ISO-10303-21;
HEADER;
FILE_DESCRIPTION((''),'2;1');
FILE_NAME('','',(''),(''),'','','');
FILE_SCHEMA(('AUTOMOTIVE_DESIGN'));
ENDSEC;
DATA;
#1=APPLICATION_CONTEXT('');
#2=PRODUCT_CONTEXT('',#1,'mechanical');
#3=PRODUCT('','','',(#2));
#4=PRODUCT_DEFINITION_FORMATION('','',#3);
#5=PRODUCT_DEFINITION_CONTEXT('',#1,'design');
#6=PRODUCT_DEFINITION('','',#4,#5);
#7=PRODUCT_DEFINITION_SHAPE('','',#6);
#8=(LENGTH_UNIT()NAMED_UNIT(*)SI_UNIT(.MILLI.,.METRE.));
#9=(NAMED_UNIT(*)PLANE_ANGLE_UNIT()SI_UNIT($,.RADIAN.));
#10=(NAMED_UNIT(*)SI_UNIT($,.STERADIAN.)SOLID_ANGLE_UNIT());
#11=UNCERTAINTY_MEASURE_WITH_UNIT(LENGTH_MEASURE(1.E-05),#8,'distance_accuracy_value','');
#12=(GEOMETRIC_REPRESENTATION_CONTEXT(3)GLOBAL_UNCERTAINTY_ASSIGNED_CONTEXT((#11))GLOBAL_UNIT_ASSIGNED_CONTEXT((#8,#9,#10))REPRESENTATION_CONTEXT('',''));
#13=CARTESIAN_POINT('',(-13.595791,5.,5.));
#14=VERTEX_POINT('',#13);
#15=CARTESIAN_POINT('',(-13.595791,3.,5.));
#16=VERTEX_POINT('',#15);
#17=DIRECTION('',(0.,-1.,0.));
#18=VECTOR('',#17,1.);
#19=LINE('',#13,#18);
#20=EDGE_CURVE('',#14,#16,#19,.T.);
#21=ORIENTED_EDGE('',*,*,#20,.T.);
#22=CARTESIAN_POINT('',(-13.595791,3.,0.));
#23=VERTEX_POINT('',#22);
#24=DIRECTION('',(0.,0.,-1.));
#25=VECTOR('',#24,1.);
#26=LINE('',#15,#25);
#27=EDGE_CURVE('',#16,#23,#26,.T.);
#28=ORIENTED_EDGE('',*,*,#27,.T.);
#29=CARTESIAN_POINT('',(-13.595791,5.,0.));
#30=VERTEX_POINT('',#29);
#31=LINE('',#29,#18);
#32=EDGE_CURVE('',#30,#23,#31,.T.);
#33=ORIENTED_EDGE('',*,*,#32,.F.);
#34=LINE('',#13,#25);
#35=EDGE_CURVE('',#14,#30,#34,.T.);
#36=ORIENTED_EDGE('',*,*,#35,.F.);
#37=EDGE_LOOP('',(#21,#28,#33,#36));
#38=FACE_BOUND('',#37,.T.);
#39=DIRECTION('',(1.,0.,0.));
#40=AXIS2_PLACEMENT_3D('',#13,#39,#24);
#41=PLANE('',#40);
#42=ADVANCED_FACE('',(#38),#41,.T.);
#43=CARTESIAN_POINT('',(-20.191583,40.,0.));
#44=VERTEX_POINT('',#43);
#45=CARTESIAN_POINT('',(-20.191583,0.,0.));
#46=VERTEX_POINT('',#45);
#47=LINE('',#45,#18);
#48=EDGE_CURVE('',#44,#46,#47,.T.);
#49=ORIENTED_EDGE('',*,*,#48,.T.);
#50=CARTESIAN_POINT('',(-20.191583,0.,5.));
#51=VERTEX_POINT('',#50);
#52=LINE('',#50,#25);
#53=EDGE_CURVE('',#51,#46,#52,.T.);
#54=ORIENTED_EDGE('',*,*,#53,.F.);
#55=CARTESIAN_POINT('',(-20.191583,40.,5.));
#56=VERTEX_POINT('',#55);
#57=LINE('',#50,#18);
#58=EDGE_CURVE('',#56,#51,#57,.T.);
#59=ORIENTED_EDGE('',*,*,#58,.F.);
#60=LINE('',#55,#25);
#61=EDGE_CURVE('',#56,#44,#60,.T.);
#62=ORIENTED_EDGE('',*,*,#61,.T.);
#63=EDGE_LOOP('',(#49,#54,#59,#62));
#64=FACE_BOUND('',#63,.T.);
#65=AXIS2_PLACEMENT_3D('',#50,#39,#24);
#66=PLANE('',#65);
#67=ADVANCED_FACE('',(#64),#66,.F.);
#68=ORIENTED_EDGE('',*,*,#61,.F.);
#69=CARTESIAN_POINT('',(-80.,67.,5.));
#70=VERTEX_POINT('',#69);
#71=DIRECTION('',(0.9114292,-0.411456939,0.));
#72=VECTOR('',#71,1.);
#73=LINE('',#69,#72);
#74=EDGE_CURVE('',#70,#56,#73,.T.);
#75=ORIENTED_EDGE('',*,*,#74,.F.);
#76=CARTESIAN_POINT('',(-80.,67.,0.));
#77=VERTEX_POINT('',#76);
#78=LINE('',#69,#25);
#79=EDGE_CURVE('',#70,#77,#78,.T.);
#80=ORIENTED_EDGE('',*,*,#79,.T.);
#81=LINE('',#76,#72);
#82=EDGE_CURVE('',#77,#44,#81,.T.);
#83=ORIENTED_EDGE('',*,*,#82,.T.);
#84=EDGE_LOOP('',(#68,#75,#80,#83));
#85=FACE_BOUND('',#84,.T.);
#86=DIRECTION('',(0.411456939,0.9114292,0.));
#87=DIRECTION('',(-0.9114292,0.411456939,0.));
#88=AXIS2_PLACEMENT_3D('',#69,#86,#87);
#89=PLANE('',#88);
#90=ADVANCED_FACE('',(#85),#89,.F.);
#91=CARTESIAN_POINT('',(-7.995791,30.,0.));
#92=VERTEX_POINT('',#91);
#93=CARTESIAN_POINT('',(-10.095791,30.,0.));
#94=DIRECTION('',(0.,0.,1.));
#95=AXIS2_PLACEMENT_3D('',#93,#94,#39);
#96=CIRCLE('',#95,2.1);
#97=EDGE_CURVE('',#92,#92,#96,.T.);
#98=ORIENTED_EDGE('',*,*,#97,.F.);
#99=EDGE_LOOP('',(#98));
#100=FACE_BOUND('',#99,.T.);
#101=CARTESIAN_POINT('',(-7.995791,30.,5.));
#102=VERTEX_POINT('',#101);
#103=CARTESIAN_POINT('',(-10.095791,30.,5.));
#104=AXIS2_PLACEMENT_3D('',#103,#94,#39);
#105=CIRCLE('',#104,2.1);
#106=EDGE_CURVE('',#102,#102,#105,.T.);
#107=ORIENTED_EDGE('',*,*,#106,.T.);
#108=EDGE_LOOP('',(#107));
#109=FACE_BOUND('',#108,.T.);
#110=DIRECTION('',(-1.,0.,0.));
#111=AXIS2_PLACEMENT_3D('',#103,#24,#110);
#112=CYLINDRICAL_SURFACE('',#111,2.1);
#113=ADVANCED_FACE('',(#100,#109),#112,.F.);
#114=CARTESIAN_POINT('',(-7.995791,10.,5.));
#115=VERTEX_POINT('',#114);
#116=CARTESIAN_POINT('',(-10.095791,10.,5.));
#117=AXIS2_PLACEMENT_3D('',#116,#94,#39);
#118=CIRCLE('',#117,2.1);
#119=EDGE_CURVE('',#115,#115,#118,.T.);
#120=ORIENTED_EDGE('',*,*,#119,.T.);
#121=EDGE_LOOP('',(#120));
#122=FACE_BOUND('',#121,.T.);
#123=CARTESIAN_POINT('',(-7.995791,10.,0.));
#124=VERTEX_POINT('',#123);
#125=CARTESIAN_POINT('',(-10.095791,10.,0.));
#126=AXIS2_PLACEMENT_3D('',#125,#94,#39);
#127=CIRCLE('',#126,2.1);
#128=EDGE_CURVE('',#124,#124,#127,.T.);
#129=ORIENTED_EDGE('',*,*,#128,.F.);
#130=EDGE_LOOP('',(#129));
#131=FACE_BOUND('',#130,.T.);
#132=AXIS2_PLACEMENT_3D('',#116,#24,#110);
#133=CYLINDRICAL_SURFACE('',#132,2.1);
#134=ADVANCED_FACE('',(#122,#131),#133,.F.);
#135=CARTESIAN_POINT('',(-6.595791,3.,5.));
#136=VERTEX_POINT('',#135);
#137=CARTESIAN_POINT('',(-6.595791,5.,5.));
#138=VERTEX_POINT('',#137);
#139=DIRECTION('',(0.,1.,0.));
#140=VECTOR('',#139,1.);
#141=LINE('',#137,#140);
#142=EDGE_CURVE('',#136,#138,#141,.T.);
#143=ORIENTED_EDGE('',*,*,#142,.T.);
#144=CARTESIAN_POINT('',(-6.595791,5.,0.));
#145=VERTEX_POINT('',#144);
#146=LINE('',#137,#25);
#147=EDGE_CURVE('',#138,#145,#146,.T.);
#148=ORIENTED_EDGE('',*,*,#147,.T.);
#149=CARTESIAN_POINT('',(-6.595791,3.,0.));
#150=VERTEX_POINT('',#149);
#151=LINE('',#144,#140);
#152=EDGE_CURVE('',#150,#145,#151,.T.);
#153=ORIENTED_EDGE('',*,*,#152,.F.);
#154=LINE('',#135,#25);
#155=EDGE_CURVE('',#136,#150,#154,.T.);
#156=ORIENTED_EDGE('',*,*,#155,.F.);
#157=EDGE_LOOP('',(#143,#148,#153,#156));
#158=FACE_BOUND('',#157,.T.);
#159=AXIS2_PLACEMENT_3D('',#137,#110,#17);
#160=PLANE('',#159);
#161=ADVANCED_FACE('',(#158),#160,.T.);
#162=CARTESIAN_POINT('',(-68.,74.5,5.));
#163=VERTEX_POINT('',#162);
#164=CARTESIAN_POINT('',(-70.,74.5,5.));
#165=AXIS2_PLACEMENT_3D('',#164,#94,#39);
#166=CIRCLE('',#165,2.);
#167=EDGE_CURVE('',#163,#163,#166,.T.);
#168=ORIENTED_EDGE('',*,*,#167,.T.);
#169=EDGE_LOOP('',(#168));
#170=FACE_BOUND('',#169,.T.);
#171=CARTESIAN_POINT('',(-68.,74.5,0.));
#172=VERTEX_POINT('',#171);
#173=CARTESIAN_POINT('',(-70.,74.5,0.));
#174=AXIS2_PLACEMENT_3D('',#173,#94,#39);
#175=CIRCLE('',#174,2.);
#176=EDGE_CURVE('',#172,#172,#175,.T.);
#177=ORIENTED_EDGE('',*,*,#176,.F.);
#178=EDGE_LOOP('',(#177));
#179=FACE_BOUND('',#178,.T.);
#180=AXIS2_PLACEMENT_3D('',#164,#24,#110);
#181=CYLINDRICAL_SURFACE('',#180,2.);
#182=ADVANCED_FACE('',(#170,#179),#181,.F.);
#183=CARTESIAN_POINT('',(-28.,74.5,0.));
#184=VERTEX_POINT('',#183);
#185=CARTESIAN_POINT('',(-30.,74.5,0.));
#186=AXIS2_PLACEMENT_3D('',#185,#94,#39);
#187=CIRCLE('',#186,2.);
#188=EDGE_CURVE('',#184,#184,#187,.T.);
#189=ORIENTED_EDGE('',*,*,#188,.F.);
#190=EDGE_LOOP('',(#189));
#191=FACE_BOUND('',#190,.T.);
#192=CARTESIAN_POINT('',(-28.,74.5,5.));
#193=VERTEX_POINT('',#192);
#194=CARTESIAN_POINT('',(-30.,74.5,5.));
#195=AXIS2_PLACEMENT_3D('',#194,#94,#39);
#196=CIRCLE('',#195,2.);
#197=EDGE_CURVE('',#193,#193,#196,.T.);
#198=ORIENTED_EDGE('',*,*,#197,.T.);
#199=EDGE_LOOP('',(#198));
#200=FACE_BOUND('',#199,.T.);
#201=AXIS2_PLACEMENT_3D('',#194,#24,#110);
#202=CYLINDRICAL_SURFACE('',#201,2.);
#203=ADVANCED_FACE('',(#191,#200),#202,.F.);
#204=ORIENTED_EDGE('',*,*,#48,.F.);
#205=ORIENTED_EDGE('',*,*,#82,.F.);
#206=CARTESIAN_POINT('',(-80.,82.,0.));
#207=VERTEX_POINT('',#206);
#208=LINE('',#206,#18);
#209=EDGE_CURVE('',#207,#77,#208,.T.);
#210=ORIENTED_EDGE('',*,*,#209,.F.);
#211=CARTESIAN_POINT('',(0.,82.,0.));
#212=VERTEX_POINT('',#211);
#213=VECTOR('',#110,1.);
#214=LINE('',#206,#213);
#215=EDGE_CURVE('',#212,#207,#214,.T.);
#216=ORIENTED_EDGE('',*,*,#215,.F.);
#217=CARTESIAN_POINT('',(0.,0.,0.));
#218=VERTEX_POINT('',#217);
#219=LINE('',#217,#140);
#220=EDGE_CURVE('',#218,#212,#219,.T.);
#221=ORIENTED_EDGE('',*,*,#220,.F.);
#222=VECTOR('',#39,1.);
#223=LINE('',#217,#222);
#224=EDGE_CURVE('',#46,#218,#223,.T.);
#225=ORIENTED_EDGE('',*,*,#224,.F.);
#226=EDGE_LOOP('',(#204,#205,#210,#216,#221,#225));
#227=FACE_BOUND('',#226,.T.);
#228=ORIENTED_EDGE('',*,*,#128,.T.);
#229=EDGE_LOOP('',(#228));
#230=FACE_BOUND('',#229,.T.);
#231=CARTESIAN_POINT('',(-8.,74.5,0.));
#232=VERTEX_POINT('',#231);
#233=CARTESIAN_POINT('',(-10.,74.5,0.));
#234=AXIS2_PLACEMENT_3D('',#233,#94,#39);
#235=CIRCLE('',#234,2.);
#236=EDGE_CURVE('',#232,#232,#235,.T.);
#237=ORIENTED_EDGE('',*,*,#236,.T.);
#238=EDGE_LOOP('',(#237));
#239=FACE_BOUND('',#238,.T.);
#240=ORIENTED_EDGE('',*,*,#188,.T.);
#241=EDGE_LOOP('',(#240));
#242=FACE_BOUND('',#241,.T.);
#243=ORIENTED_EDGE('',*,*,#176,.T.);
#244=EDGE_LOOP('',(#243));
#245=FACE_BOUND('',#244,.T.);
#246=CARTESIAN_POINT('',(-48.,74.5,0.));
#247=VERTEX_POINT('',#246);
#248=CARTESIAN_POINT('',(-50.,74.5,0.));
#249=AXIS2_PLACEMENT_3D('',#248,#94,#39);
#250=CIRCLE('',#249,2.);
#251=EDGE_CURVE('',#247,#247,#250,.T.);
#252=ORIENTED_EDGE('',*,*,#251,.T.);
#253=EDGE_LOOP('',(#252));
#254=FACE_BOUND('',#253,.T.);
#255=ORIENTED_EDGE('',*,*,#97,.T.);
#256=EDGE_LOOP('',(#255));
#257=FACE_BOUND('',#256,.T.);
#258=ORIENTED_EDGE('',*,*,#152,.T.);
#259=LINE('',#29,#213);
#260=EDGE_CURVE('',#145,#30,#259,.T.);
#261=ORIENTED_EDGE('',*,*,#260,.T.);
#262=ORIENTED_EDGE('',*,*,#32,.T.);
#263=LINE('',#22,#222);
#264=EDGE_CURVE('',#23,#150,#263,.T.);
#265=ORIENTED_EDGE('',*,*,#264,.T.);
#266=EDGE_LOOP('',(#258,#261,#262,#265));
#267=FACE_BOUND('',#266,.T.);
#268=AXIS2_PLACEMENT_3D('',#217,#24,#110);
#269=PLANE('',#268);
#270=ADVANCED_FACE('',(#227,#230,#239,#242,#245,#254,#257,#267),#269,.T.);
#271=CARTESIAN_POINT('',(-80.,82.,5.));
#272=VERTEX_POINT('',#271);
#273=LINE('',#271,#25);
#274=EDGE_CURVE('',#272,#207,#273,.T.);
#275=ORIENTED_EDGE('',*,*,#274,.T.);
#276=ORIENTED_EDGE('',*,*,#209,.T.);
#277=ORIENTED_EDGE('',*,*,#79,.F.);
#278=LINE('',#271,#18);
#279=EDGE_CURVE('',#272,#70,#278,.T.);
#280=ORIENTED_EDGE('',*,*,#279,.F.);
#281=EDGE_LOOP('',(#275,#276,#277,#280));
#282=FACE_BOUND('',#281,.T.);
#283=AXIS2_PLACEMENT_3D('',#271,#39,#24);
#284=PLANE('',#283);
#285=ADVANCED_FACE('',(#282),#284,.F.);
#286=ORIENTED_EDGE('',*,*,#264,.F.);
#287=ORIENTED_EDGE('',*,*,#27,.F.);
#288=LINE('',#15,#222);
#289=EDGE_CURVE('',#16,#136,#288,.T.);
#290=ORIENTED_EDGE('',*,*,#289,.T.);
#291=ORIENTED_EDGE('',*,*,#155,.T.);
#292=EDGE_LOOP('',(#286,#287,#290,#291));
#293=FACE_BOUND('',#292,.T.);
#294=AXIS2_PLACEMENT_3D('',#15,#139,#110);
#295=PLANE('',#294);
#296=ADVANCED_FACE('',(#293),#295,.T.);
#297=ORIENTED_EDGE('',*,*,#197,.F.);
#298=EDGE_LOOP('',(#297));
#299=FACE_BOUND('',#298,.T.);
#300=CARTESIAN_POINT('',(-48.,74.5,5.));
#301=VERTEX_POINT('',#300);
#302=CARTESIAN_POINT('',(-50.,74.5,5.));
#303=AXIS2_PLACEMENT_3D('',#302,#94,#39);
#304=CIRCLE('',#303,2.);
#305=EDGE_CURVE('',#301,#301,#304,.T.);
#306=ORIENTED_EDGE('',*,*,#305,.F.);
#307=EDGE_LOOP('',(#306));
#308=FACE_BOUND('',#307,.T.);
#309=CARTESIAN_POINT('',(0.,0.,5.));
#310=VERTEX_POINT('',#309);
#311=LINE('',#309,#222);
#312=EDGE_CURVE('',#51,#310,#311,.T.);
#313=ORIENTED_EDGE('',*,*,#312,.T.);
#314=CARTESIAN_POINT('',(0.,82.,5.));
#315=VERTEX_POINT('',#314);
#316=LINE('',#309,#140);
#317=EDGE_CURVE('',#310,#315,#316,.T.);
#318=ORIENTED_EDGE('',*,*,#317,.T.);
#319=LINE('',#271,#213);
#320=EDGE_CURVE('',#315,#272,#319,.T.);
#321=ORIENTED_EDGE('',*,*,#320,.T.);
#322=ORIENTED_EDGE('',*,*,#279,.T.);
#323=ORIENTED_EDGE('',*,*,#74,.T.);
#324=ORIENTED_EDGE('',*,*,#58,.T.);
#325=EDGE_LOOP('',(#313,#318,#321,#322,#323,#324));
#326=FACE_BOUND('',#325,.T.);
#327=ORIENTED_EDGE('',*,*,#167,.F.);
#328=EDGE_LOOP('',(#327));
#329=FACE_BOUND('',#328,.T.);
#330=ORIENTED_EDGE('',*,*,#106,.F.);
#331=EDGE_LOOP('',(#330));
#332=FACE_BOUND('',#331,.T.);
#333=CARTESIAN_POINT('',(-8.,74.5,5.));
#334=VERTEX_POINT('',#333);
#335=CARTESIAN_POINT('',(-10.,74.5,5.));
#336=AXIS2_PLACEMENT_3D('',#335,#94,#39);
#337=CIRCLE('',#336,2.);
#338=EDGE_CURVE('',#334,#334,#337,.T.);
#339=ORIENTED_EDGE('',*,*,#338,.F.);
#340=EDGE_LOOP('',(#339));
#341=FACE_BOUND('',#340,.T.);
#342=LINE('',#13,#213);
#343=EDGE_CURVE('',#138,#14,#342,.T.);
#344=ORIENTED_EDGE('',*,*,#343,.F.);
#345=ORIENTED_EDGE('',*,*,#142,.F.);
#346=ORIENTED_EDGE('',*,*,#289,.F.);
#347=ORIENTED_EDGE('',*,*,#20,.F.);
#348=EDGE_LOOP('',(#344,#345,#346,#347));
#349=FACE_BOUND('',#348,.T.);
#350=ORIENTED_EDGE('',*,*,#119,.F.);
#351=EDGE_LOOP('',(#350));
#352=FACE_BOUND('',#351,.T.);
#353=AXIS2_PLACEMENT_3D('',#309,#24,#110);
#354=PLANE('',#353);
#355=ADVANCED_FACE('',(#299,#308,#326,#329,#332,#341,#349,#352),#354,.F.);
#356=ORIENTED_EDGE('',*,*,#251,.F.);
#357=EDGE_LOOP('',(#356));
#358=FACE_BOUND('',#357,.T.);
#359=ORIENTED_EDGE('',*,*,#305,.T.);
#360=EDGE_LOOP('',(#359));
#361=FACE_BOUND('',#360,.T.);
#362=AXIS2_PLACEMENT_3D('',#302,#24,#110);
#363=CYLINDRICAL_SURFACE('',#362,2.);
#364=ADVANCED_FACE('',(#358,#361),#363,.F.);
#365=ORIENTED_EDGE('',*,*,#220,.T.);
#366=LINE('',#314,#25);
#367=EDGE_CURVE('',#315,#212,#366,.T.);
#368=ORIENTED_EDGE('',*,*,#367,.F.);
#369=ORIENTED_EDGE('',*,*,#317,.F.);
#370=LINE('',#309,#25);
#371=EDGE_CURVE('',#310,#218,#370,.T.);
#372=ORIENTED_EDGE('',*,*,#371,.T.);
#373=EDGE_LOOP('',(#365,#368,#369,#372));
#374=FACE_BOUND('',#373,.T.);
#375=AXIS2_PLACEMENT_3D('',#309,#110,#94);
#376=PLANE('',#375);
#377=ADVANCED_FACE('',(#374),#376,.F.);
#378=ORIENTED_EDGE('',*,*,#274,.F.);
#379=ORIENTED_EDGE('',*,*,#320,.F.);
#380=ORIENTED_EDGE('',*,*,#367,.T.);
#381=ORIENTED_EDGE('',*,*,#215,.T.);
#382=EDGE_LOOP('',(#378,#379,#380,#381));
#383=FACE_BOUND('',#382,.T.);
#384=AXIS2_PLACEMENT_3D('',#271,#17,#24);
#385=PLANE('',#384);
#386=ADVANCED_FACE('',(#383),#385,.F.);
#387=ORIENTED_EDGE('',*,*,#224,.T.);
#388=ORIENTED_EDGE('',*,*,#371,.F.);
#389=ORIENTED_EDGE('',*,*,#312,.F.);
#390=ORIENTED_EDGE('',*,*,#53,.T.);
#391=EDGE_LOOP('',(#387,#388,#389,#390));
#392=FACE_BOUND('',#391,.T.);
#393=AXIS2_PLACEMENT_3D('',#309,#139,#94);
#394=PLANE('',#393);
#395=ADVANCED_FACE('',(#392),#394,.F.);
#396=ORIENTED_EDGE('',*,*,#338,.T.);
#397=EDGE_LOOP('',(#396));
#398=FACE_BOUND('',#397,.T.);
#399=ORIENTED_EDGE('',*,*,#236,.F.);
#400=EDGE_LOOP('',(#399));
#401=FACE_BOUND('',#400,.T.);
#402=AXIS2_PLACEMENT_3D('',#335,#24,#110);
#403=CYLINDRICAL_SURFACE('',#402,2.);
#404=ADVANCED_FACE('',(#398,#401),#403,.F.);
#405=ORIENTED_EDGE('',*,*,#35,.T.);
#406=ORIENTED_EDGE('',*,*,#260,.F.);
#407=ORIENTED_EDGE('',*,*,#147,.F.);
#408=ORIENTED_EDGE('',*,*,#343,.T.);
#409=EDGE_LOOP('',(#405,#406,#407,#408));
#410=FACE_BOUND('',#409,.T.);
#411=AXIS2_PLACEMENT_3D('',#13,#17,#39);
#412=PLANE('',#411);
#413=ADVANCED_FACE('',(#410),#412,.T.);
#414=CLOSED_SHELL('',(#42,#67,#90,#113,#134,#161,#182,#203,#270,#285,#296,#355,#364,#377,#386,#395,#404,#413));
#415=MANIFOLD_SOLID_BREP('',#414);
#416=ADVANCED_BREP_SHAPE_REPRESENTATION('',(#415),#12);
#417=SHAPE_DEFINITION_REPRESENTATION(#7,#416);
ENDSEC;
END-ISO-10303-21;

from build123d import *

# Parameters (mm, degrees)
SKETCH1_R           = 2.1
SKETCH1_R_2         = 2
SKETCH1_W           = 7
SKETCH1_H           = 2
BOSS_EXTRUDE1_DEPTH = 5


with BuildPart() as part:
    # Sketch1 → Boss-Extrude1 (new body)
    with BuildSketch(Plane.XY):
        Polygon((0, 0), (0, 82), (-80, 82), (-80, 67), (-20.191582532, 40), (-20.191582532, 0), align=None)
        with Locations((-10.095791266, 10)):
            Circle(SKETCH1_R, mode=Mode.SUBTRACT)
        with Locations((-10.095791266, 30)):
            Circle(SKETCH1_R, mode=Mode.SUBTRACT)
        with Locations((-70, 74.5)):
            Circle(SKETCH1_R_2, mode=Mode.SUBTRACT)
        with Locations((-50, 74.5)):
            Circle(SKETCH1_R_2, mode=Mode.SUBTRACT)
        with Locations((-30, 74.5)):
            Circle(SKETCH1_R_2, mode=Mode.SUBTRACT)
        with Locations((-10, 74.5)):
            Circle(SKETCH1_R_2, mode=Mode.SUBTRACT)
        with Locations((-10.095791266, 4)):
            Rectangle(SKETCH1_W, SKETCH1_H, mode=Mode.SUBTRACT)
    extrude(amount=BOSS_EXTRUDE1_DEPTH)


solid = part.part
